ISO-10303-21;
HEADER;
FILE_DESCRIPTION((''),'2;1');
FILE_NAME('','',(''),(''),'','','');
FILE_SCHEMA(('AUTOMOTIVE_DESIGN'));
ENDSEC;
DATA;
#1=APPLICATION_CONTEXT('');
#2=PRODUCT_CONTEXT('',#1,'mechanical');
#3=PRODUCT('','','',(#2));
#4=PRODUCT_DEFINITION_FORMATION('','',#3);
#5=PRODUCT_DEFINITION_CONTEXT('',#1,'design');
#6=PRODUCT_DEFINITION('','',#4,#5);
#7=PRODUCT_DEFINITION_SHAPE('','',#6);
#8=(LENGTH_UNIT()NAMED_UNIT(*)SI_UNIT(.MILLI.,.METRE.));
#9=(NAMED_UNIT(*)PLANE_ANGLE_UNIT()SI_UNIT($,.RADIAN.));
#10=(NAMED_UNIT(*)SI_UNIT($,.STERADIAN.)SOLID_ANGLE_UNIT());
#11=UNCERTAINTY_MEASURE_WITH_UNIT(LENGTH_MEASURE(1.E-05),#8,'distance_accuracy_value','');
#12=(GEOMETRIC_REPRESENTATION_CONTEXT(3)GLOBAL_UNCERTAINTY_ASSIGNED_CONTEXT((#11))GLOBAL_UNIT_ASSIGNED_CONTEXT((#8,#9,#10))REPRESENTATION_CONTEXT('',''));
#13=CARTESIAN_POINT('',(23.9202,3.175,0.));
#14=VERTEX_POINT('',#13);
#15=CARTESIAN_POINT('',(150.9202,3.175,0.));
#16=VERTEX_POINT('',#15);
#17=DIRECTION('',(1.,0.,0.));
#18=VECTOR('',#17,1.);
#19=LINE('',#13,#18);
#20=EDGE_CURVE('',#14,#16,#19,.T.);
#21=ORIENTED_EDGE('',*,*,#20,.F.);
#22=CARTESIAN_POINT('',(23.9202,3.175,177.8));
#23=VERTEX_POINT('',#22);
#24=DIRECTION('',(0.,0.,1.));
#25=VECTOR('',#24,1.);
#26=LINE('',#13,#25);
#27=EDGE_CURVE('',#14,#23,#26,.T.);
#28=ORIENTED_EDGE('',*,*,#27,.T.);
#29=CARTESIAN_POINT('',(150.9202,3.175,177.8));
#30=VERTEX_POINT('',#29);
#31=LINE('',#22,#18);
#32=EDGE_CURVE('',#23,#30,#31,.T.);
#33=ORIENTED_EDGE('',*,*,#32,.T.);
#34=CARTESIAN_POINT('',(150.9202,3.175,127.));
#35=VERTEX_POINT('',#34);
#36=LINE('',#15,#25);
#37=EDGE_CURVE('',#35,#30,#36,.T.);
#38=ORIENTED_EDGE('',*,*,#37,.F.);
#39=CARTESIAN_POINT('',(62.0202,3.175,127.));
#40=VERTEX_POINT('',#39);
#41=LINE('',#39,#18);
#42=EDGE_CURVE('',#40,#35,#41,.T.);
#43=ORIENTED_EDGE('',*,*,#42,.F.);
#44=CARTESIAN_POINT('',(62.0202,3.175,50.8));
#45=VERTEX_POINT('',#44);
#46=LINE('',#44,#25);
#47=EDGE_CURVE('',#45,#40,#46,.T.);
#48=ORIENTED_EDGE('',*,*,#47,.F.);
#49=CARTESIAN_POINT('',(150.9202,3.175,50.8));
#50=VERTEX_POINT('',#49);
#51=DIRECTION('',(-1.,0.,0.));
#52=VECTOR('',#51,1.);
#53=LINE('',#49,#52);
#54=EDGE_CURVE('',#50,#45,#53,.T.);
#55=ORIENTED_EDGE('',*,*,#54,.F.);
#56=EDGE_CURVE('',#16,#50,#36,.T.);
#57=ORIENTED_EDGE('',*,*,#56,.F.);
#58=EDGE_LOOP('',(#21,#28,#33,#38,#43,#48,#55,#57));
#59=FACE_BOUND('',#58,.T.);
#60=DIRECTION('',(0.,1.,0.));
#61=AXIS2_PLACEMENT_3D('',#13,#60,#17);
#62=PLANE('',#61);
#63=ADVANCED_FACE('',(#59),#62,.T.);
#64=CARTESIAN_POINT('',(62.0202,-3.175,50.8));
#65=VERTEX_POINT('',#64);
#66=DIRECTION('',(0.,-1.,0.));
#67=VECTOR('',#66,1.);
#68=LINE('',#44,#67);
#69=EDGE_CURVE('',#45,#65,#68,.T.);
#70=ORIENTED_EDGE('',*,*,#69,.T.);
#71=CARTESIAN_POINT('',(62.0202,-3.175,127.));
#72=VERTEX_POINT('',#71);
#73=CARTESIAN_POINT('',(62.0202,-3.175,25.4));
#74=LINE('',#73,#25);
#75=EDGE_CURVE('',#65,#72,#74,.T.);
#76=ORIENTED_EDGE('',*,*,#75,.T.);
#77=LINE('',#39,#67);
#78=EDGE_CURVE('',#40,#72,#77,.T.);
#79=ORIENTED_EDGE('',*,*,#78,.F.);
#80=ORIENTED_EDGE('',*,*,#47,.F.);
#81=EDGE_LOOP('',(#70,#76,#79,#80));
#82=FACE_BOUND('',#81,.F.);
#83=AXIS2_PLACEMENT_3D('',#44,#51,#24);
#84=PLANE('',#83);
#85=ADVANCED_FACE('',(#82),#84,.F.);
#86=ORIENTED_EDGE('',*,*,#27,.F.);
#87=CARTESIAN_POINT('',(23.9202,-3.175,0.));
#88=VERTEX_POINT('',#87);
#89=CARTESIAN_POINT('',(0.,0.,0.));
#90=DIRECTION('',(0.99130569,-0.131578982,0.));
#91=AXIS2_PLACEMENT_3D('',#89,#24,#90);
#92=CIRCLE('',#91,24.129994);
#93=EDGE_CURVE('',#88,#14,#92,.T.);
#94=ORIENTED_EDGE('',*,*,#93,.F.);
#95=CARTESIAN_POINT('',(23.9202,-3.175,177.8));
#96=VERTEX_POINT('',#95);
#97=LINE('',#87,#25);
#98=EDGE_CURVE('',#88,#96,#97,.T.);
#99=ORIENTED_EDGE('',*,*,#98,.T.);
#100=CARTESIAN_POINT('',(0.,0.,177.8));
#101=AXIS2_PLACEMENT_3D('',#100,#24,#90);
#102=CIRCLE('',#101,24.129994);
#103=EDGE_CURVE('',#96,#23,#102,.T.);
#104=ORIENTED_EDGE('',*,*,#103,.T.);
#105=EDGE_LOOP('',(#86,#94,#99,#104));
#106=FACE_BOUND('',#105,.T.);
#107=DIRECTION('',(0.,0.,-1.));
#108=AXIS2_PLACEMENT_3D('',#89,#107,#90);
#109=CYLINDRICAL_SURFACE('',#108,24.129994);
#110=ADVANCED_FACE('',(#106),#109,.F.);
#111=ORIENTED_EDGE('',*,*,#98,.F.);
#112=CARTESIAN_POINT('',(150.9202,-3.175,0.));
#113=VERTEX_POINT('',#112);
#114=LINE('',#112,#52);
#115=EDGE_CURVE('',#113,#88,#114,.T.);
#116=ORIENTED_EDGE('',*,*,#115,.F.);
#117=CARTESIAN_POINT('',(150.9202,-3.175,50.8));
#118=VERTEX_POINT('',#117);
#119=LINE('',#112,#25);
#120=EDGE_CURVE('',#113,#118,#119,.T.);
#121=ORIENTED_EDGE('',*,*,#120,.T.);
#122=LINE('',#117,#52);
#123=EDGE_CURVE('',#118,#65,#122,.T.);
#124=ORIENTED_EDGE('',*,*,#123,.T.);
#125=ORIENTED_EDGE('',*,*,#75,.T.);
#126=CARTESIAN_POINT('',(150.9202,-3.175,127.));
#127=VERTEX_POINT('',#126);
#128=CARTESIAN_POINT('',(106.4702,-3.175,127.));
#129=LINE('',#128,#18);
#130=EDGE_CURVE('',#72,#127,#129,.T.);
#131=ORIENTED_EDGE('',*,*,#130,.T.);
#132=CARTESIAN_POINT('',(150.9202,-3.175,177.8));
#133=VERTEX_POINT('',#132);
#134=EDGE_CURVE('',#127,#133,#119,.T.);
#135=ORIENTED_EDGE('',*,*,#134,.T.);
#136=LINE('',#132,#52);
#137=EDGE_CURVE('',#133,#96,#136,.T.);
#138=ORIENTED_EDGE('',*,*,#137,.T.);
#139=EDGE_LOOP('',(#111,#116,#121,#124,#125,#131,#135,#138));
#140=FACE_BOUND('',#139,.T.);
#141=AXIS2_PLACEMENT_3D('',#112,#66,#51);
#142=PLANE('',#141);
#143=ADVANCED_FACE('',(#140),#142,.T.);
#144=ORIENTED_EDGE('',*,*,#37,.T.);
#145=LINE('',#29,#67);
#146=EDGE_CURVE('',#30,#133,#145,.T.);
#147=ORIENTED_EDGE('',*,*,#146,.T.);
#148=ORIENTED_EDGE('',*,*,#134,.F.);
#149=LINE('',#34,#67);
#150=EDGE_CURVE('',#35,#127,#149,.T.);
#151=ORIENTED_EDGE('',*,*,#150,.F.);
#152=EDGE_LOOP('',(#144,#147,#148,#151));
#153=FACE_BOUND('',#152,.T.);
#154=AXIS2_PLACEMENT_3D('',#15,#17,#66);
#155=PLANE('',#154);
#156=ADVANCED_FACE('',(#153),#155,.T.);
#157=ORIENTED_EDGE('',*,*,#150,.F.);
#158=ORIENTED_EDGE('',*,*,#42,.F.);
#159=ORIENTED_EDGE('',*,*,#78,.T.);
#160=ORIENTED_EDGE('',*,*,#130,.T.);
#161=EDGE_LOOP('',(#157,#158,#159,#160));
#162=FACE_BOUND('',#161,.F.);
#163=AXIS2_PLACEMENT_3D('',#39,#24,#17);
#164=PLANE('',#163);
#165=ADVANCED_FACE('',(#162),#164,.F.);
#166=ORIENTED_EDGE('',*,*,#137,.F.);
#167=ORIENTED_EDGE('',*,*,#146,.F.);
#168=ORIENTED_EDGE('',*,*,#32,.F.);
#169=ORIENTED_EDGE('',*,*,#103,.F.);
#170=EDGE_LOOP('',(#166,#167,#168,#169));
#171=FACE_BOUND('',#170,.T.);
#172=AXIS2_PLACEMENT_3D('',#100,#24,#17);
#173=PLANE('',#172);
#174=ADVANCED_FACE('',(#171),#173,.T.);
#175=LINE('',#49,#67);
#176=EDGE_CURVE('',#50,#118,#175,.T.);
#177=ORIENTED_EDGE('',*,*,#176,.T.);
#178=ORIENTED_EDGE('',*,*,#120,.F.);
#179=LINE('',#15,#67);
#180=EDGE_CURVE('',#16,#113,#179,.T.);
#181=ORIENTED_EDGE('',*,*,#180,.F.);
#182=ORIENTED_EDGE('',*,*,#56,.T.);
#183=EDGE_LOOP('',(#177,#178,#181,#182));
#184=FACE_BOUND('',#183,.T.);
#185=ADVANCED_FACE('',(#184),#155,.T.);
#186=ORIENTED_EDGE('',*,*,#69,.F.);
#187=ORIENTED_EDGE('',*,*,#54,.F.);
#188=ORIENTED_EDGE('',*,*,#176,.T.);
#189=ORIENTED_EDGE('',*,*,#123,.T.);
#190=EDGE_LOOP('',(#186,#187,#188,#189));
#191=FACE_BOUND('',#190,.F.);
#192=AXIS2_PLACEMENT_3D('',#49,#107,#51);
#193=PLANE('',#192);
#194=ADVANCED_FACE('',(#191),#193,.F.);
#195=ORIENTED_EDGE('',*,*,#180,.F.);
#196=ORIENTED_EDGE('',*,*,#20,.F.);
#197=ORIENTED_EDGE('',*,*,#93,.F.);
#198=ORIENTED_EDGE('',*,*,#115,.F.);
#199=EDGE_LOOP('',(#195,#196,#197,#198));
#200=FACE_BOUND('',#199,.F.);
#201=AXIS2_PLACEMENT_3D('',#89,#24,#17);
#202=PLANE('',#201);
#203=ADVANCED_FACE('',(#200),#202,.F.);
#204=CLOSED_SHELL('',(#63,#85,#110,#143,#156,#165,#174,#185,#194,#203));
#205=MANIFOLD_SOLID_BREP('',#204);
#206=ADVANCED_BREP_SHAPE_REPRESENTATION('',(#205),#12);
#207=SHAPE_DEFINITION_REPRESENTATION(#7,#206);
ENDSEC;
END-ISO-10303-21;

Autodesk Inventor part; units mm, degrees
ref_plane "YZ Plane" through (0, 0, 0) normal (1, 0, 0) x (0, 1, 0)
ref_plane "XZ Plane" through (0, 0, 0) normal (0, 1, 0) x (-1, 0, 0)
ref_plane "XY Plane" through (0, 0, 0) normal (0, 0, 1) x (1, 0, 0)
sketch "Sketch1" plane through (0, 0, 0) normal (0, 0, 1) x (1, 0, 0)
  arc A0 (23.9202, -3.175) -> (23.9202, 3.175) centre (0, 0) ccw
  line L0 (23.9202, 3.175) -> (150.9202, 3.175)
  line L1 (150.9202, 3.175) -> (150.9202, -3.175)
  line L2 (150.9202, -3.175) -> (23.9202, -3.175)
  line L3 (23.9202, 3.175) -> (0, 3.175) construction
  line L4 (0, 0) -> (0, 3.175) construction
  line L5 (0, 0) -> (0, -3.175) construction
  line L6 (0, -3.175) -> (23.9202, -3.175) construction
  dimension "d0" = 24.13
  dimension "d1" = 6.35
  dimension "d9" = 127
extrude "Extrusion1" add sketch "Sketch1" along normal blind 177.8
sketch "Sketch2" plane through (23.9202, 3.175, 0) normal (0, 1, 0) x (1, 0, 0)
  line L0 (0, -177.8) -> (127, -177.8) projected
  line L1 (127, 0) -> (127, -177.8) projected
  line L2 (0, 0) -> (127, 0) projected
  line L3 (127, -50.8) -> (38.1, -50.8)
  line L4 (38.1, -50.8) -> (38.1, -127)
  line L5 (38.1, -127) -> (127, -127)
  line L6 (127, -127) -> (127, -50.8)
  line L7 (38.1, -50.8) -> (38.1, 0) construction
  line L8 (38.1, -127) -> (38.1, -177.8) construction
  line L9 (0, 0) -> (0, -177.8) projected
  point P0 (-23.9202, 0)
  dimension "d4" = 76.2
  dimension "d8" = 38.1
extrude "Extrusion2" cut sketch "Sketch2" against normal up to next contours L5 L4 L3 L1
properties part number "PitchingArmConcept"
